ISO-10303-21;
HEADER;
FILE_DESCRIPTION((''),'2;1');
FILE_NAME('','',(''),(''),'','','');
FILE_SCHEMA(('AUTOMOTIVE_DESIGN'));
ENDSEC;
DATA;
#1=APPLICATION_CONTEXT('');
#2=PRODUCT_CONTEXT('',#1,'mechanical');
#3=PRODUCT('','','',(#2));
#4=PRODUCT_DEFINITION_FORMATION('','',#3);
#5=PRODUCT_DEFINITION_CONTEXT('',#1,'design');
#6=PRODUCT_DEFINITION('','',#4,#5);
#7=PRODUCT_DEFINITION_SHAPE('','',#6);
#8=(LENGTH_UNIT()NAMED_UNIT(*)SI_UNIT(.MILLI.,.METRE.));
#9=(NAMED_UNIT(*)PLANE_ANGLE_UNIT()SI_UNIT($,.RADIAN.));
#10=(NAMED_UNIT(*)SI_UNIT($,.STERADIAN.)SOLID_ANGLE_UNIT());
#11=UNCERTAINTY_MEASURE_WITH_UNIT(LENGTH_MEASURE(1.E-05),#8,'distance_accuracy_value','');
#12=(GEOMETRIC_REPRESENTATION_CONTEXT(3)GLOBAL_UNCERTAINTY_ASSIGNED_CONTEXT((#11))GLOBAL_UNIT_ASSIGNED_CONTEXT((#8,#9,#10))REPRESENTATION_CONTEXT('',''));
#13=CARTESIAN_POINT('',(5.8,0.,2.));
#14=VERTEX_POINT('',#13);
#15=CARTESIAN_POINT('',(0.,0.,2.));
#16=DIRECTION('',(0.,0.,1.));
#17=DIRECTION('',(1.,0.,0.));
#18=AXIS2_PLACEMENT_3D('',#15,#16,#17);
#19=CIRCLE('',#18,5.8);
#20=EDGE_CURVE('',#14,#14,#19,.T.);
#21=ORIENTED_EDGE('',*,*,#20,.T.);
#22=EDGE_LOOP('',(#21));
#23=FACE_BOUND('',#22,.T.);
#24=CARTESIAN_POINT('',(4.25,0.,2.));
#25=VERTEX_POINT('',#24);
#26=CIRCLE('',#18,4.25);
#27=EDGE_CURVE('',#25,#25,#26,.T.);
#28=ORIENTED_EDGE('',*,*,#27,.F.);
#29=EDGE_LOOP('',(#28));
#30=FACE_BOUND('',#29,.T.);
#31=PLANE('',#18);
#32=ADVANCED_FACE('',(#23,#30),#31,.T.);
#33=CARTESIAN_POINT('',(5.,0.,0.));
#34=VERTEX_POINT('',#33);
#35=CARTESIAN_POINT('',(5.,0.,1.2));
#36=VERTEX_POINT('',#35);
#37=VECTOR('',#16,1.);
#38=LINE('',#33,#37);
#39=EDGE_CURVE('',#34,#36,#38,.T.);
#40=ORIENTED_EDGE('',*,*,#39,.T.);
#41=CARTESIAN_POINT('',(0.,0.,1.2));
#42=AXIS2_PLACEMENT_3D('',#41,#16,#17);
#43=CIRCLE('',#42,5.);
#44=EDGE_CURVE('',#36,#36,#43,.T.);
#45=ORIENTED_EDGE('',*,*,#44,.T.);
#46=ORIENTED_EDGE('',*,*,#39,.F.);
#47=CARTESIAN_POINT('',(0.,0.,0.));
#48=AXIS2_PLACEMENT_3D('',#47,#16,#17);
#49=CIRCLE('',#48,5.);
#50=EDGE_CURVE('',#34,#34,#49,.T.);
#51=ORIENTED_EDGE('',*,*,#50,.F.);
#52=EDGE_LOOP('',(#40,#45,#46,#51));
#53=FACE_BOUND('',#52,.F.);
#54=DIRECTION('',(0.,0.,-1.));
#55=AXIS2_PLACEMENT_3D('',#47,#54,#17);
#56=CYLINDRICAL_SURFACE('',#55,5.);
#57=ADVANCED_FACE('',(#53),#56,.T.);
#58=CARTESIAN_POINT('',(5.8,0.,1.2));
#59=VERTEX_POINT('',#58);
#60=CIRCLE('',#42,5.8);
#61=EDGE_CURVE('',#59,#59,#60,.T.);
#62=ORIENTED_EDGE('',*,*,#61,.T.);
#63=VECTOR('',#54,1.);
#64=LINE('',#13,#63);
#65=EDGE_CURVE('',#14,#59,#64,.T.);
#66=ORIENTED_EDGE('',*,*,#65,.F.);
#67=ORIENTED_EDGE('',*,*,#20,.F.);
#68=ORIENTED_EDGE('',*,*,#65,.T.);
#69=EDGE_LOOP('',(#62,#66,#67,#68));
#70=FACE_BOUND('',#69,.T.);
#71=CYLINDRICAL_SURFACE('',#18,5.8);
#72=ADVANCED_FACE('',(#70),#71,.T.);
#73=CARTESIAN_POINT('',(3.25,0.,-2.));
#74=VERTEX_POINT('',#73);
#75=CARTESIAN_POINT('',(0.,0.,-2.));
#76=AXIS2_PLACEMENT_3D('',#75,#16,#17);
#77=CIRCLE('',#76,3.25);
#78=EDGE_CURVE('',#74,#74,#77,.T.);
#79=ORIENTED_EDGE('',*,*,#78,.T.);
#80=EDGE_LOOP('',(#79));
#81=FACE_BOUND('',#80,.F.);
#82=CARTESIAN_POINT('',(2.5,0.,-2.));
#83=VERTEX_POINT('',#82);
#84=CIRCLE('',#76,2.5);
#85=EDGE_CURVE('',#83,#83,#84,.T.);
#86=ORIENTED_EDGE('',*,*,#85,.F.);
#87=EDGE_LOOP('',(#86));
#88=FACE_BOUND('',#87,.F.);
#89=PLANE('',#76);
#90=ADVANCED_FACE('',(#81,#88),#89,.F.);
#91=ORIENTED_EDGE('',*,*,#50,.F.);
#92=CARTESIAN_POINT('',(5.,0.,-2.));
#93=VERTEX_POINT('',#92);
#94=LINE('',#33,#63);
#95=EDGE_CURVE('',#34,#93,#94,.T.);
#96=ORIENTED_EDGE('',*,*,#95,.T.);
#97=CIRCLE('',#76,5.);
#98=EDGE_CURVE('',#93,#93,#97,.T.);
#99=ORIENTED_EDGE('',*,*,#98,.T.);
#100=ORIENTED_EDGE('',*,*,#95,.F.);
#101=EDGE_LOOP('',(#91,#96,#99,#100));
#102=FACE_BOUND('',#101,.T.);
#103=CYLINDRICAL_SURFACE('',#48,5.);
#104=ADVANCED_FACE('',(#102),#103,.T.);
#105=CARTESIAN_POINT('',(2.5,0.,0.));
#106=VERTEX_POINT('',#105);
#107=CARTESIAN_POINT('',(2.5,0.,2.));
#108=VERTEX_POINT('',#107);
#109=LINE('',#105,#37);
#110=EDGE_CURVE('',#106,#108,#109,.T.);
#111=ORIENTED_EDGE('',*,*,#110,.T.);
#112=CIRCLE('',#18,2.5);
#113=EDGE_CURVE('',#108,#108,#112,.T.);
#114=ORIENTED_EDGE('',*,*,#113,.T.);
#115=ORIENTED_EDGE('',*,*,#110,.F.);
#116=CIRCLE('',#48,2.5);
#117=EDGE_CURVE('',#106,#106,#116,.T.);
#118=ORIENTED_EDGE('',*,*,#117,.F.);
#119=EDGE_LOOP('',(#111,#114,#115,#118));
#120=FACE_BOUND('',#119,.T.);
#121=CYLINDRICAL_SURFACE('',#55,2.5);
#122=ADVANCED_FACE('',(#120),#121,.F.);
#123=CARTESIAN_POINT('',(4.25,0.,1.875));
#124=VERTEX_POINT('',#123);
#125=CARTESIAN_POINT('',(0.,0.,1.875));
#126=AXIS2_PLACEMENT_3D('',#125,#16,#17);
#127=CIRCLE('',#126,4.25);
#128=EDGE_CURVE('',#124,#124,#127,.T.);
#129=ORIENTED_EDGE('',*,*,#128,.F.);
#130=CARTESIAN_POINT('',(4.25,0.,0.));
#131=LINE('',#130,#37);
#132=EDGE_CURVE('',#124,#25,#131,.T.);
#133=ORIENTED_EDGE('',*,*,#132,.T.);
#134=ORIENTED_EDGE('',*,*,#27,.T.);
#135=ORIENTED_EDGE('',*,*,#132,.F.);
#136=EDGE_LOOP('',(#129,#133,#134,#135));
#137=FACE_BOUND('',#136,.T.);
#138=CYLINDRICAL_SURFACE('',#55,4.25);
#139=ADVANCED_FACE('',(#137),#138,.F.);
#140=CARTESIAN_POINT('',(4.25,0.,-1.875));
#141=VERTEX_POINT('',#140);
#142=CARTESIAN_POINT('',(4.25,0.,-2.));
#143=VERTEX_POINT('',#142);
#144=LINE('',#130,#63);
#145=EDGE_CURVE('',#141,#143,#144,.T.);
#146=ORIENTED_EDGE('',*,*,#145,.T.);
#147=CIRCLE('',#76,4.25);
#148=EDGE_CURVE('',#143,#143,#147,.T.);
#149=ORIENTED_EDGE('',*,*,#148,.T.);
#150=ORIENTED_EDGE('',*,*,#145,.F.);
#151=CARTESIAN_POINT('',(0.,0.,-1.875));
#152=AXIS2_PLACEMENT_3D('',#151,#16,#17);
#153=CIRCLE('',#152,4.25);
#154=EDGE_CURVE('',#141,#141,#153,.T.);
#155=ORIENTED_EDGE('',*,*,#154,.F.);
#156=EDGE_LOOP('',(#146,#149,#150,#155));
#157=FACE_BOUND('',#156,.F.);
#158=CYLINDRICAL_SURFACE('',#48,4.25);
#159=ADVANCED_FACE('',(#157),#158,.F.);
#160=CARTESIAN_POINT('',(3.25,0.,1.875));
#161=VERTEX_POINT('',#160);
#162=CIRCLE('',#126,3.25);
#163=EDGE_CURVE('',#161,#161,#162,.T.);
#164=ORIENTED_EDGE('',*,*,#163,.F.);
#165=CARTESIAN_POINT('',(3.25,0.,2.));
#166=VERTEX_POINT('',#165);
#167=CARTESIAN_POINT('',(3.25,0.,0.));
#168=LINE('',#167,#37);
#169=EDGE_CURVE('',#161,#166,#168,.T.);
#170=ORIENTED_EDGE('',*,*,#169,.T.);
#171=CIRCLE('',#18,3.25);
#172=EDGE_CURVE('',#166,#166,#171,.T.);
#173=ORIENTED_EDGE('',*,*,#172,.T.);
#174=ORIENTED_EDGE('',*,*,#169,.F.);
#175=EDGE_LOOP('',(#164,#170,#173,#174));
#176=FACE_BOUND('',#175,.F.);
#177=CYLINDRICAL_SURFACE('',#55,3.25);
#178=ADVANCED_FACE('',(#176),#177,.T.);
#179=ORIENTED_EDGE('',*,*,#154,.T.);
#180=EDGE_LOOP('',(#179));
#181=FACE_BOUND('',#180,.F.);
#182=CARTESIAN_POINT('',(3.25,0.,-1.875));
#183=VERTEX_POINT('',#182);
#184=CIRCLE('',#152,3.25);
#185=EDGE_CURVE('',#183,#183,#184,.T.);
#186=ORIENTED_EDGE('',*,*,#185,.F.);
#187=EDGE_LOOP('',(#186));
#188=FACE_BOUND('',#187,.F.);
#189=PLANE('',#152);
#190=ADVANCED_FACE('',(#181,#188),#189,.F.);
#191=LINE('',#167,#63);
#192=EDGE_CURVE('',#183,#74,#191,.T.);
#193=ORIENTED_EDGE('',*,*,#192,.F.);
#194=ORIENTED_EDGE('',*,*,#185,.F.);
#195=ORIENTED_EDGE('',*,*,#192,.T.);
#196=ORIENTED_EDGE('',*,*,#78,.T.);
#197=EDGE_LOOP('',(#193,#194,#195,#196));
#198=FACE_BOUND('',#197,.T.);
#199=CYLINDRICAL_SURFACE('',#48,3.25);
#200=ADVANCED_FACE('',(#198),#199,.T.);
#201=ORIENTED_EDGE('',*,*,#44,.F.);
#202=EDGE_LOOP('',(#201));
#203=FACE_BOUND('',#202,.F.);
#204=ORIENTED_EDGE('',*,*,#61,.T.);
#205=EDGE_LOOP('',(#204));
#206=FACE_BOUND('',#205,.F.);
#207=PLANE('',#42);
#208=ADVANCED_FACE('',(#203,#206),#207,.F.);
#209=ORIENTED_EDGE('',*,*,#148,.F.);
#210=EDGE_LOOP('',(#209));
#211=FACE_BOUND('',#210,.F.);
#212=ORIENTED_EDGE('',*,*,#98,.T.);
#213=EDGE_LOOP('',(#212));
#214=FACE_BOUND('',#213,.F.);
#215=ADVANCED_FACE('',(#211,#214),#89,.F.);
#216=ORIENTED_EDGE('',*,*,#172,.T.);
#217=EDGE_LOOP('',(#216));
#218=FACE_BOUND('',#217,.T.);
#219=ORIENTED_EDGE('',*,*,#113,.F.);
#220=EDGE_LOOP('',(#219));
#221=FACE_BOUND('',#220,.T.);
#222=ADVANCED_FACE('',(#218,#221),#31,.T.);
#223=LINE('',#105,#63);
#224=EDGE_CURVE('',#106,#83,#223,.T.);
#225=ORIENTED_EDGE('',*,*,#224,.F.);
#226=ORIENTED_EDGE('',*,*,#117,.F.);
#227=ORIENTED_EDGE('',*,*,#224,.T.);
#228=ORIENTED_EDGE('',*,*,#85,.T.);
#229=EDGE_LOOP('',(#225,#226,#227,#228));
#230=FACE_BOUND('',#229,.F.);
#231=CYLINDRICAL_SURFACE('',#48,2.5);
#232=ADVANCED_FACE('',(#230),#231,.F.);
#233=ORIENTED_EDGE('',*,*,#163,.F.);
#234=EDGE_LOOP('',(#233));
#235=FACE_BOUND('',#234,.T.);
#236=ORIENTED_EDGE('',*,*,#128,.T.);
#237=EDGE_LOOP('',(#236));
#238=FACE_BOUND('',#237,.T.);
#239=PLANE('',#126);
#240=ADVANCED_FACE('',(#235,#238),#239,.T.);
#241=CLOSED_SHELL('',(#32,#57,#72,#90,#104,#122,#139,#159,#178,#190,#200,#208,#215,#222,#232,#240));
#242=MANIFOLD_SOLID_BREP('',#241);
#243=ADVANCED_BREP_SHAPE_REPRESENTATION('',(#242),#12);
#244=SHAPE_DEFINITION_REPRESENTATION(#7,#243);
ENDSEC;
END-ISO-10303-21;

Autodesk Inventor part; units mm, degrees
ref_plane "YZ Plane" through (0, 0, 0) normal (1, 0, 0) x (0, 1, 0)
ref_plane "XZ Plane" through (0, 0, 0) normal (0, 1, 0) x (-1, 0, 0)
ref_plane "XY Plane" through (0, 0, 0) normal (0, 0, 1) x (1, 0, 0)
sketch "Sketch1" plane through (0, 0, 0) normal (0, 0, 1) x (1, 0, 0)
  circle A0 centre (0, 0) radius 2.5
  circle A1 centre (0, 0) radius 5
  circle A2 centre (0, 0) radius 4.25
  circle A3 centre (0, 0) radius 3.25
  dimension "d0" = 5
  dimension "d1" = 10
  dimension "d2" = 0.75
  dimension "d3" = 0.75
extrude "Extrusion1" add sketch "Sketch1" along normal mid plane 4
extrude "Extrusion2" add sketch "Sketch1" along normal mid plane 3.75 contours A2
sketch "Sketch2" plane through (0, 0, 2) normal (0, 0, 1) x (1, 0, 0)
  circle A0 centre (0, 0) radius 5 projected
  circle A1 centre (0, 0) radius 5.8
  dimension "d8" = 11.6
extrude "Extrusion3" add sketch "Sketch2" against normal blind 0.8
properties part number "MF105ZZ" material "Steel, Carbon"
